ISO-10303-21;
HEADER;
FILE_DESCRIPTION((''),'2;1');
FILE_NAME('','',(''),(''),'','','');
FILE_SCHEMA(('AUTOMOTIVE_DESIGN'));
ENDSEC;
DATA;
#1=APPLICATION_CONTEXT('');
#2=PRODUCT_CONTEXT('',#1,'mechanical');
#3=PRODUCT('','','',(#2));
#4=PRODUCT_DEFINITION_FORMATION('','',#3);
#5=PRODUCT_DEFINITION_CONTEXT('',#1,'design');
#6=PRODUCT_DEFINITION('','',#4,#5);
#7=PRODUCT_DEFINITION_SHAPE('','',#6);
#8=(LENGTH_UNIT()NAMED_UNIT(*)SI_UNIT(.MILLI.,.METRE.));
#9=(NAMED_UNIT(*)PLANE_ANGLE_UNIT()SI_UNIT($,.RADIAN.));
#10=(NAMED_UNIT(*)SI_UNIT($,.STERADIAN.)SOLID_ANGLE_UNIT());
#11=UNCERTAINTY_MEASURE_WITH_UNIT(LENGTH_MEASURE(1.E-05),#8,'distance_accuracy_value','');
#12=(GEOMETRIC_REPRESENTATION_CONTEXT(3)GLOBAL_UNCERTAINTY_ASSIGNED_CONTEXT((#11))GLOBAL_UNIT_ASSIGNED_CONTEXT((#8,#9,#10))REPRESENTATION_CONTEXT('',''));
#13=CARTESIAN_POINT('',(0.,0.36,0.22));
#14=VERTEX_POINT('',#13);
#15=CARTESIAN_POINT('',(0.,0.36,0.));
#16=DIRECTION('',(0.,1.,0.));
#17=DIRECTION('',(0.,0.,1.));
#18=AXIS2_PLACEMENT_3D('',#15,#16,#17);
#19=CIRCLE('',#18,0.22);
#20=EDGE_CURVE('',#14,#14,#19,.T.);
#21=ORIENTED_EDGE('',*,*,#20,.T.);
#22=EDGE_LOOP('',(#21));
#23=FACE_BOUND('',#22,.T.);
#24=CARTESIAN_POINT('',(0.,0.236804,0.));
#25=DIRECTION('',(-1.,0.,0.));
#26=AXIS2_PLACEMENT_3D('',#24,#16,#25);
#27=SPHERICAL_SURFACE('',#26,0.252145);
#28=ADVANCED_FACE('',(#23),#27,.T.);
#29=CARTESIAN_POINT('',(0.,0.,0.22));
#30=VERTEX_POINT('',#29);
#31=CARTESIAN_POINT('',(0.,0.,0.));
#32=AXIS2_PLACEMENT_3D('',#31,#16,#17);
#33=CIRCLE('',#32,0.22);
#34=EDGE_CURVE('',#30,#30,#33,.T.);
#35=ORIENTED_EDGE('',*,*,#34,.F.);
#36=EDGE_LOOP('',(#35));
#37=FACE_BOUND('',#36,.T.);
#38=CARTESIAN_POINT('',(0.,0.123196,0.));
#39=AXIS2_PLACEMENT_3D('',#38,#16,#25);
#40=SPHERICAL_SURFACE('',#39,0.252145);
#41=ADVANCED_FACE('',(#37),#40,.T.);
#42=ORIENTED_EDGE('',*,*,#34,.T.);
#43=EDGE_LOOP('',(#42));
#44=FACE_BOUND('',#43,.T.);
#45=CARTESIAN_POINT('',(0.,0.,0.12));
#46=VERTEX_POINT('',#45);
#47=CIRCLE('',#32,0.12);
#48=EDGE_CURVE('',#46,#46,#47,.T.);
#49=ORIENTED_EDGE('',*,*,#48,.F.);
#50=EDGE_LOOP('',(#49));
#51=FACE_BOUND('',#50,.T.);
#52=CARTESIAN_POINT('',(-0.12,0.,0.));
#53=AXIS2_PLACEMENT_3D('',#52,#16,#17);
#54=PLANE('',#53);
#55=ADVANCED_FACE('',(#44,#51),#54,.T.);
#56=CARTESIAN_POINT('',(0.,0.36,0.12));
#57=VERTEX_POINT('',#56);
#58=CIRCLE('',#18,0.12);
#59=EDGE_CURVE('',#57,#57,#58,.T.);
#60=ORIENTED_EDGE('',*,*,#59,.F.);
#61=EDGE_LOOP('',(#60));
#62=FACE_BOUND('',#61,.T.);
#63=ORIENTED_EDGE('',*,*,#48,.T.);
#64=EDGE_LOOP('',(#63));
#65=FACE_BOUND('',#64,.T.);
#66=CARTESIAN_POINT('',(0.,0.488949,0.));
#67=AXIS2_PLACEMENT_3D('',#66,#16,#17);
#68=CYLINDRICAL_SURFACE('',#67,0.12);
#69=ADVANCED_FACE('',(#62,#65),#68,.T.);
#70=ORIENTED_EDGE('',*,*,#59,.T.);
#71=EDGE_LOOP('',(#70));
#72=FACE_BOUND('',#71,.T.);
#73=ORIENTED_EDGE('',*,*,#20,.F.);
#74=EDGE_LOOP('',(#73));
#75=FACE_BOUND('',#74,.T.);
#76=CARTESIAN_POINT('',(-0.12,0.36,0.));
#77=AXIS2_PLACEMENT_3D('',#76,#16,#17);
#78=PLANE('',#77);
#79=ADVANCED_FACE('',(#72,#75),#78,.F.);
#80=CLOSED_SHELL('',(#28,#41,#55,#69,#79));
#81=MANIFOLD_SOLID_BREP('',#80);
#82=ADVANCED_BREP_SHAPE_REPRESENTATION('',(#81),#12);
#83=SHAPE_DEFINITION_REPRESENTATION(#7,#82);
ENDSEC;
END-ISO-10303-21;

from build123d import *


with BuildPart() as part:
    # Sketch1 → Revolve1 (revolve)
    with BuildSketch(Plane.XY):
        with BuildLine():
            Line((-0.12, 0), (-0.12, 0.36))
            Line((-0.12, 0.36), (-0.22, 0.36))
            ThreePointArc((-0.22, 0.36), (-0.127502863, 0.454336227), (0, 0.488949292))
            Line((0, 0.488949292), (0, -0.128949292))
            ThreePointArc((0, -0.128949292), (-0.127502863, -0.094336227), (-0.22, 0))
            Line((-0.22, 0), (-0.12, 0))
        make_face()
    revolve(axis=Axis((0, 0.488949292, 0), (0, -1, 0)))


solid = part.part
